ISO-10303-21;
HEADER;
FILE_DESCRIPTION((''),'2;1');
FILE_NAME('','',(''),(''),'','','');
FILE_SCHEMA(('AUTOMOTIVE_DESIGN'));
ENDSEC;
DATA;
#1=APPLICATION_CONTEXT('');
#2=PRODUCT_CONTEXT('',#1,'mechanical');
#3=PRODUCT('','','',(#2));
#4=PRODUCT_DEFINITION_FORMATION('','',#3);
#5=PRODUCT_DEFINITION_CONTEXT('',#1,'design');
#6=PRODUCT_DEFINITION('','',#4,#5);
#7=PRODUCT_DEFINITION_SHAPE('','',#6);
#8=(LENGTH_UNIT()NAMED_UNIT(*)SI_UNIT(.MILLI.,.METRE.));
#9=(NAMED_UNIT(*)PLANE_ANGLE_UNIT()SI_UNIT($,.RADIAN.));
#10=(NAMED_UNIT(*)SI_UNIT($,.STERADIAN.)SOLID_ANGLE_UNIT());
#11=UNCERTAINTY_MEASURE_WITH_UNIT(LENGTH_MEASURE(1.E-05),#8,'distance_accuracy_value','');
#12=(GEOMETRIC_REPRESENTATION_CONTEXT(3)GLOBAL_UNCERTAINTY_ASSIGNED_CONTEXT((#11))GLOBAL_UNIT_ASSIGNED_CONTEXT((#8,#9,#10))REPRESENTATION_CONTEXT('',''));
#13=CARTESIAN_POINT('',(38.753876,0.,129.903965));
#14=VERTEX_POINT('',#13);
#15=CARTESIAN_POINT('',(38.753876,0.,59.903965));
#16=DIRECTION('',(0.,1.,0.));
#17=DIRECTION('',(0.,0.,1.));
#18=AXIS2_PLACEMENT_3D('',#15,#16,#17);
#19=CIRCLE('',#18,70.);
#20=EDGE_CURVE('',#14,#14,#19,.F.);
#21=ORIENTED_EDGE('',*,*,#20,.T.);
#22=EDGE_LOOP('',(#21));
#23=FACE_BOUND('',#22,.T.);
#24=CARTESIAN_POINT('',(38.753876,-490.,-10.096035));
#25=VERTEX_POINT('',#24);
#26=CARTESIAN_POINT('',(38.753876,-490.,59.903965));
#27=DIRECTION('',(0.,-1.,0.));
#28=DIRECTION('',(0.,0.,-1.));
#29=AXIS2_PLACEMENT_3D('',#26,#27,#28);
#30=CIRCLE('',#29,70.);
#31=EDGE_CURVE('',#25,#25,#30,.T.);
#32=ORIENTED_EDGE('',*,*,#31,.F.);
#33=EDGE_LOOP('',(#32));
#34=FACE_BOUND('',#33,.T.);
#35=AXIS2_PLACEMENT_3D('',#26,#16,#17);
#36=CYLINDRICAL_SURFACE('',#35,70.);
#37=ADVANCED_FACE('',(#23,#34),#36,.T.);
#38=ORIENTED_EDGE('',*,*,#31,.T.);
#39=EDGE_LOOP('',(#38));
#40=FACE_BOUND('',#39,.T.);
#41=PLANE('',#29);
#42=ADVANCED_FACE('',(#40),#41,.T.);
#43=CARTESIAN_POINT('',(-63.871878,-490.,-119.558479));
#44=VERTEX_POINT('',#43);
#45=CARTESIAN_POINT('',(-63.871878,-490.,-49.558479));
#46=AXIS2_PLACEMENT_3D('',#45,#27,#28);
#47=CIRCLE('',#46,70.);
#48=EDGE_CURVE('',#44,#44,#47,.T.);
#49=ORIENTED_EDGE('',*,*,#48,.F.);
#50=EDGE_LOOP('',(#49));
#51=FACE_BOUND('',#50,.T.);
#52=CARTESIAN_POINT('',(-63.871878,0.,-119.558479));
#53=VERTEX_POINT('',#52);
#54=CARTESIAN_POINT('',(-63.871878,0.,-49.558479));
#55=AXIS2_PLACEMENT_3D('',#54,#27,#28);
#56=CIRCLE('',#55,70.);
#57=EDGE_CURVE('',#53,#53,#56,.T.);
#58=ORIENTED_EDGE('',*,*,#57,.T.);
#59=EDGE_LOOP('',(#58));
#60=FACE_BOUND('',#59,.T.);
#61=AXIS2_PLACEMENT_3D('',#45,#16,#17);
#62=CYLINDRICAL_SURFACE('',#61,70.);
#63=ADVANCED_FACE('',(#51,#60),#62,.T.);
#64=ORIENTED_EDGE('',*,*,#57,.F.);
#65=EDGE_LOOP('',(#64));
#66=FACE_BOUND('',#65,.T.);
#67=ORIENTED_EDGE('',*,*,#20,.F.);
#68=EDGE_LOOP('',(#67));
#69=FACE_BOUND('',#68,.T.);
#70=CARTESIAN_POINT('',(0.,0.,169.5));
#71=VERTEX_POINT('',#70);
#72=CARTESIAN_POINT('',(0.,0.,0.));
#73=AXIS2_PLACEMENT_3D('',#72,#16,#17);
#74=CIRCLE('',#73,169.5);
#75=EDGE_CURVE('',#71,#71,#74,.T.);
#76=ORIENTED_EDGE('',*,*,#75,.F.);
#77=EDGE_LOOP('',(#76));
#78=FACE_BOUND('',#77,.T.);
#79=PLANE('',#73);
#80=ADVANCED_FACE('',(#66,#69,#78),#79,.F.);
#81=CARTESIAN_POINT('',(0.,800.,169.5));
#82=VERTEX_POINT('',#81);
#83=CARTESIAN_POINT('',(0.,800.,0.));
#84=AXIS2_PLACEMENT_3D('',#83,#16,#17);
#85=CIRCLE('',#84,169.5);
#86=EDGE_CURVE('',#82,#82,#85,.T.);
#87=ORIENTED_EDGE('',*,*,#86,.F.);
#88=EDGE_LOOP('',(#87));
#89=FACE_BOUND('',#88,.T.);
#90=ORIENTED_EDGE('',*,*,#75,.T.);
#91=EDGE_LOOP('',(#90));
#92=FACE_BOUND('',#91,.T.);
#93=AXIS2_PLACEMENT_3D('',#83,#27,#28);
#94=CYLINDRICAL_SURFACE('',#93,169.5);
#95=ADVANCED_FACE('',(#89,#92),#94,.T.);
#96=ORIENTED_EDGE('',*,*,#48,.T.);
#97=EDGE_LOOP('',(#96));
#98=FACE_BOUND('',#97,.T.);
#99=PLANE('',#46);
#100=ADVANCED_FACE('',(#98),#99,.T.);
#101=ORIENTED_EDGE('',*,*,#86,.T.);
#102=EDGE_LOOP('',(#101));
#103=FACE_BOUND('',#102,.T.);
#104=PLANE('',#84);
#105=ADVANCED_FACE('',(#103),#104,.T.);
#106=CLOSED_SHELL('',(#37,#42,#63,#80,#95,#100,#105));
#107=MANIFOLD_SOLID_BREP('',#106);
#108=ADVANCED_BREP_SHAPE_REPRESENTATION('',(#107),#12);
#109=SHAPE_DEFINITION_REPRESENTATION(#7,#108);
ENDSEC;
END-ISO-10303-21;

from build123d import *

# Parameters (mm, degrees)
SKETCH1_R           = 169.5
BOSS_EXTRUDE1_DEPTH = 800
SKETCH2_R           = 70
BOSS_EXTRUDE2_DEPTH = 490


with BuildPart() as part:
    # Sketch1 → Boss-Extrude1 (new body)
    with BuildSketch(Plane(origin=(0, 0, 0), x_dir=(1, 0, 0), z_dir=(0, 1, 0))):
        with Locations(Location((0, 0, 0), (0, 0, 270))):
            Circle(SKETCH1_R)
    extrude(amount=BOSS_EXTRUDE1_DEPTH)

    # Sketch2 → Boss-Extrude2 (add)
    with BuildSketch(Plane.XZ):
        with Locations(Location((-63.871878151, -49.558478811, 0), (0, 0, 270))):
            Circle(SKETCH2_R)
        with Locations(Location((38.753875996, 59.90396521, 0), (0, 0, 90))):
            Circle(SKETCH2_R)
    extrude(amount=BOSS_EXTRUDE2_DEPTH)


solid = part.part
